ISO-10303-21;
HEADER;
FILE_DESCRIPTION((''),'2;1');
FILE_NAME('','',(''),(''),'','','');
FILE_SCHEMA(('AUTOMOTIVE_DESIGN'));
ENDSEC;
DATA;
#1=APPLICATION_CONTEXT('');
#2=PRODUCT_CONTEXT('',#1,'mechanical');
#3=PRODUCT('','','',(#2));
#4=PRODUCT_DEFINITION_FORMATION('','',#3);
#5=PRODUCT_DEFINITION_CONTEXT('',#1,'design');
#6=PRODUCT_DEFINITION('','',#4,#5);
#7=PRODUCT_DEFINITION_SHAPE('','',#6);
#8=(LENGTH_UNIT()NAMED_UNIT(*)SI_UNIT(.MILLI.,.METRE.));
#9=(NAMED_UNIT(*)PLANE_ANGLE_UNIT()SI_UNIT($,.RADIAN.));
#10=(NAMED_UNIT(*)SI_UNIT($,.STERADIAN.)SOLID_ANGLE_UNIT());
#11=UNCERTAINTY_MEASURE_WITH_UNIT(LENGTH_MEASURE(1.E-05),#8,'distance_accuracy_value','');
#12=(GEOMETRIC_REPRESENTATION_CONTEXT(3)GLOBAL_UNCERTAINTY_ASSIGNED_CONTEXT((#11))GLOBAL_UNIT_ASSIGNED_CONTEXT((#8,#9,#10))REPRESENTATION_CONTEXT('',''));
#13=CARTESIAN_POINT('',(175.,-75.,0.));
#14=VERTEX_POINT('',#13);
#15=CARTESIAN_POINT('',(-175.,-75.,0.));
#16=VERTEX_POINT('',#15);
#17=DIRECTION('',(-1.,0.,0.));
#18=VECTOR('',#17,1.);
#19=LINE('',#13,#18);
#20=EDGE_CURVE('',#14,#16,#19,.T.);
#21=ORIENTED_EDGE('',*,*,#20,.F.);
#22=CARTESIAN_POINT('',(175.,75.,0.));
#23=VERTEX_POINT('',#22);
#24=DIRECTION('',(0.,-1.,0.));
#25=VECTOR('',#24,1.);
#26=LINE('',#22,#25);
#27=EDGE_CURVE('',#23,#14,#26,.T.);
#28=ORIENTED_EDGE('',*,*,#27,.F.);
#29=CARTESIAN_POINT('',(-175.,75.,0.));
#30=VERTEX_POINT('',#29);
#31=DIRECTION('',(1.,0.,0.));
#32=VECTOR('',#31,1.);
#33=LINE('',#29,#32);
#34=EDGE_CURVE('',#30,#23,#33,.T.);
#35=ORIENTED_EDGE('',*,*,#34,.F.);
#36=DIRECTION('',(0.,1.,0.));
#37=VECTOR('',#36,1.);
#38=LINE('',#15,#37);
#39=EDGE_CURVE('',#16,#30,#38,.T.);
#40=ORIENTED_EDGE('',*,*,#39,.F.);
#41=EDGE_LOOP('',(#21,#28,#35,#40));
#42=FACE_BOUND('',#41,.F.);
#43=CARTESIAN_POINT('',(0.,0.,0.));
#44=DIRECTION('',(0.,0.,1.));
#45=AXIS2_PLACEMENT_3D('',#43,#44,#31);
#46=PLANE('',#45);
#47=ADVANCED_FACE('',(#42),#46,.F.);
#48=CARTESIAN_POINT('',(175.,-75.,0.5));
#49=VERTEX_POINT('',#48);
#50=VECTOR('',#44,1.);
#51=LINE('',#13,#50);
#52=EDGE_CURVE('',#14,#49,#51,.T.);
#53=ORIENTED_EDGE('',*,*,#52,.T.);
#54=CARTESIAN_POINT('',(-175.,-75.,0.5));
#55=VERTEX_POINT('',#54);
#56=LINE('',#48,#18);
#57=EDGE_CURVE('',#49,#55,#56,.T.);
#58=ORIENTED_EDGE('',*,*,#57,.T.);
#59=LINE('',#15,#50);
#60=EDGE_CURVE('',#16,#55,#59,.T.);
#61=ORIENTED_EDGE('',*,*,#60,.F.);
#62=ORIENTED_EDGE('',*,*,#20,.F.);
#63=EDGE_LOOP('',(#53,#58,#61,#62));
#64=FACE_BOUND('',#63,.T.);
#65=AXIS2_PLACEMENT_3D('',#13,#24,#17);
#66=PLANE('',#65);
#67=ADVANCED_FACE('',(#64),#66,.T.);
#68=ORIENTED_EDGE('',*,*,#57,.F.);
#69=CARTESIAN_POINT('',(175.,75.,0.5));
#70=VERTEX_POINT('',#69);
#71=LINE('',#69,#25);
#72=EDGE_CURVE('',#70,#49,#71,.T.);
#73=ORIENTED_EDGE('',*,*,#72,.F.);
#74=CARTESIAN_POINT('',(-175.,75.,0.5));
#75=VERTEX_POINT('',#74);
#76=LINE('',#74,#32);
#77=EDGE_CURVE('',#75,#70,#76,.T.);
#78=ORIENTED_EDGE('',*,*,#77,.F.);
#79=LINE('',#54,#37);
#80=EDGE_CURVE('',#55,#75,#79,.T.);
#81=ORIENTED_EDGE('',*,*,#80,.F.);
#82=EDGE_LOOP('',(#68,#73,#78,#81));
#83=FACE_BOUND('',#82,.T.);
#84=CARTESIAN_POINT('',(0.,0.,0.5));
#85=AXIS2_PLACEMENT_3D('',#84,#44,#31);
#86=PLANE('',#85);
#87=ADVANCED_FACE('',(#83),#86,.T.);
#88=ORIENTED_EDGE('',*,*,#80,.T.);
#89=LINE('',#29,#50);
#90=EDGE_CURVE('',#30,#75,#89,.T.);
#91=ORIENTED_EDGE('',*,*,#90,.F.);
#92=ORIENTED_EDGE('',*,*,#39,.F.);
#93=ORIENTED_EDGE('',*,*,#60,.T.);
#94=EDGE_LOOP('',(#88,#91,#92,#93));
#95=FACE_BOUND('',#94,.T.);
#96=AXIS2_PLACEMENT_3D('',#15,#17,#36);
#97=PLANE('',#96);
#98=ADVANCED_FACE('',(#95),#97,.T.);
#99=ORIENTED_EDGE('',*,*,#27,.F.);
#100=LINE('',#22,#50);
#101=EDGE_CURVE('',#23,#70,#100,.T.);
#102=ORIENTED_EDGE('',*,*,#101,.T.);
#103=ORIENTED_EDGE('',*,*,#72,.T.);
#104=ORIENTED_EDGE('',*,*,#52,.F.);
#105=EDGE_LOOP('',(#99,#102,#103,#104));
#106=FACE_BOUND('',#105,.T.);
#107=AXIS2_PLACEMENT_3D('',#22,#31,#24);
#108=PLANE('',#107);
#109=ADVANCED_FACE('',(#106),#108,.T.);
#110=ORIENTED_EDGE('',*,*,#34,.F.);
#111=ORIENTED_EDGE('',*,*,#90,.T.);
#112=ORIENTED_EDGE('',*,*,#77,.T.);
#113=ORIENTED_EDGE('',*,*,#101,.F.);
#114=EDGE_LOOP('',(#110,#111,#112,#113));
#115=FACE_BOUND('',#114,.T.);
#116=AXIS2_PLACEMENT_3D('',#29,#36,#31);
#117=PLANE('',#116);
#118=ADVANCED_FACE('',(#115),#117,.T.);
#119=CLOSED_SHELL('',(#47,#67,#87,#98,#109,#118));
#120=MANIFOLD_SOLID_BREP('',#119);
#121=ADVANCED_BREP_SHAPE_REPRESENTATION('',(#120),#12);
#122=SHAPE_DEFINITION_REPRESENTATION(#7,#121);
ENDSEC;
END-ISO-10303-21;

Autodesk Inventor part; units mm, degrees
ref_plane "YZ Plane" through (0, 0, 0) normal (1, 0, 0) x (0, 1, 0)
ref_plane "XZ Plane" through (0, 0, 0) normal (0, 1, 0) x (-1, 0, 0)
ref_plane "XY Plane" through (0, 0, 0) normal (0, 0, 1) x (1, 0, 0)
sketch "Sketch1" plane through (0, 0, 0) normal (0, 0, 1) x (1, 0, 0)
  line L0 (-175, 75) -> (175, 75)
  line L1 (175, 75) -> (175, -75)
  line L2 (175, -75) -> (-175, -75)
  line L3 (-175, -75) -> (-175, 75)
  line L4 (-175, 75) -> (175, -75) construction
  line L5 (175, 75) -> (-175, -75) construction
  point P0 (0, 0)
  dimension "d0" = 350
  dimension "d1" = 150
extrude "Plate1" add sketch "Sketch1" along normal blind 0.5
equation "\"d2\" = Thickness"
equation "\"BendRadius\" = Thickness"
equation "\"BendReliefWidth\" = Thickness"
equation "\"BendReliefDepth\" = 0.5 * Thickness"
equation "\"CornerReliefSize\" = 4 * Thickness"
equation "\"MinimumRemnant\" = 2 * Thickness"
equation "\"TransitionRadius\" = BendRadius"
equation "\"JacobiRadiusSize\" = BendRadius"
equation "\"GapSize\" = Thickness"
equation "\"Thickness\" = 0.5"
properties part number "CONTROL_LENGTE"
